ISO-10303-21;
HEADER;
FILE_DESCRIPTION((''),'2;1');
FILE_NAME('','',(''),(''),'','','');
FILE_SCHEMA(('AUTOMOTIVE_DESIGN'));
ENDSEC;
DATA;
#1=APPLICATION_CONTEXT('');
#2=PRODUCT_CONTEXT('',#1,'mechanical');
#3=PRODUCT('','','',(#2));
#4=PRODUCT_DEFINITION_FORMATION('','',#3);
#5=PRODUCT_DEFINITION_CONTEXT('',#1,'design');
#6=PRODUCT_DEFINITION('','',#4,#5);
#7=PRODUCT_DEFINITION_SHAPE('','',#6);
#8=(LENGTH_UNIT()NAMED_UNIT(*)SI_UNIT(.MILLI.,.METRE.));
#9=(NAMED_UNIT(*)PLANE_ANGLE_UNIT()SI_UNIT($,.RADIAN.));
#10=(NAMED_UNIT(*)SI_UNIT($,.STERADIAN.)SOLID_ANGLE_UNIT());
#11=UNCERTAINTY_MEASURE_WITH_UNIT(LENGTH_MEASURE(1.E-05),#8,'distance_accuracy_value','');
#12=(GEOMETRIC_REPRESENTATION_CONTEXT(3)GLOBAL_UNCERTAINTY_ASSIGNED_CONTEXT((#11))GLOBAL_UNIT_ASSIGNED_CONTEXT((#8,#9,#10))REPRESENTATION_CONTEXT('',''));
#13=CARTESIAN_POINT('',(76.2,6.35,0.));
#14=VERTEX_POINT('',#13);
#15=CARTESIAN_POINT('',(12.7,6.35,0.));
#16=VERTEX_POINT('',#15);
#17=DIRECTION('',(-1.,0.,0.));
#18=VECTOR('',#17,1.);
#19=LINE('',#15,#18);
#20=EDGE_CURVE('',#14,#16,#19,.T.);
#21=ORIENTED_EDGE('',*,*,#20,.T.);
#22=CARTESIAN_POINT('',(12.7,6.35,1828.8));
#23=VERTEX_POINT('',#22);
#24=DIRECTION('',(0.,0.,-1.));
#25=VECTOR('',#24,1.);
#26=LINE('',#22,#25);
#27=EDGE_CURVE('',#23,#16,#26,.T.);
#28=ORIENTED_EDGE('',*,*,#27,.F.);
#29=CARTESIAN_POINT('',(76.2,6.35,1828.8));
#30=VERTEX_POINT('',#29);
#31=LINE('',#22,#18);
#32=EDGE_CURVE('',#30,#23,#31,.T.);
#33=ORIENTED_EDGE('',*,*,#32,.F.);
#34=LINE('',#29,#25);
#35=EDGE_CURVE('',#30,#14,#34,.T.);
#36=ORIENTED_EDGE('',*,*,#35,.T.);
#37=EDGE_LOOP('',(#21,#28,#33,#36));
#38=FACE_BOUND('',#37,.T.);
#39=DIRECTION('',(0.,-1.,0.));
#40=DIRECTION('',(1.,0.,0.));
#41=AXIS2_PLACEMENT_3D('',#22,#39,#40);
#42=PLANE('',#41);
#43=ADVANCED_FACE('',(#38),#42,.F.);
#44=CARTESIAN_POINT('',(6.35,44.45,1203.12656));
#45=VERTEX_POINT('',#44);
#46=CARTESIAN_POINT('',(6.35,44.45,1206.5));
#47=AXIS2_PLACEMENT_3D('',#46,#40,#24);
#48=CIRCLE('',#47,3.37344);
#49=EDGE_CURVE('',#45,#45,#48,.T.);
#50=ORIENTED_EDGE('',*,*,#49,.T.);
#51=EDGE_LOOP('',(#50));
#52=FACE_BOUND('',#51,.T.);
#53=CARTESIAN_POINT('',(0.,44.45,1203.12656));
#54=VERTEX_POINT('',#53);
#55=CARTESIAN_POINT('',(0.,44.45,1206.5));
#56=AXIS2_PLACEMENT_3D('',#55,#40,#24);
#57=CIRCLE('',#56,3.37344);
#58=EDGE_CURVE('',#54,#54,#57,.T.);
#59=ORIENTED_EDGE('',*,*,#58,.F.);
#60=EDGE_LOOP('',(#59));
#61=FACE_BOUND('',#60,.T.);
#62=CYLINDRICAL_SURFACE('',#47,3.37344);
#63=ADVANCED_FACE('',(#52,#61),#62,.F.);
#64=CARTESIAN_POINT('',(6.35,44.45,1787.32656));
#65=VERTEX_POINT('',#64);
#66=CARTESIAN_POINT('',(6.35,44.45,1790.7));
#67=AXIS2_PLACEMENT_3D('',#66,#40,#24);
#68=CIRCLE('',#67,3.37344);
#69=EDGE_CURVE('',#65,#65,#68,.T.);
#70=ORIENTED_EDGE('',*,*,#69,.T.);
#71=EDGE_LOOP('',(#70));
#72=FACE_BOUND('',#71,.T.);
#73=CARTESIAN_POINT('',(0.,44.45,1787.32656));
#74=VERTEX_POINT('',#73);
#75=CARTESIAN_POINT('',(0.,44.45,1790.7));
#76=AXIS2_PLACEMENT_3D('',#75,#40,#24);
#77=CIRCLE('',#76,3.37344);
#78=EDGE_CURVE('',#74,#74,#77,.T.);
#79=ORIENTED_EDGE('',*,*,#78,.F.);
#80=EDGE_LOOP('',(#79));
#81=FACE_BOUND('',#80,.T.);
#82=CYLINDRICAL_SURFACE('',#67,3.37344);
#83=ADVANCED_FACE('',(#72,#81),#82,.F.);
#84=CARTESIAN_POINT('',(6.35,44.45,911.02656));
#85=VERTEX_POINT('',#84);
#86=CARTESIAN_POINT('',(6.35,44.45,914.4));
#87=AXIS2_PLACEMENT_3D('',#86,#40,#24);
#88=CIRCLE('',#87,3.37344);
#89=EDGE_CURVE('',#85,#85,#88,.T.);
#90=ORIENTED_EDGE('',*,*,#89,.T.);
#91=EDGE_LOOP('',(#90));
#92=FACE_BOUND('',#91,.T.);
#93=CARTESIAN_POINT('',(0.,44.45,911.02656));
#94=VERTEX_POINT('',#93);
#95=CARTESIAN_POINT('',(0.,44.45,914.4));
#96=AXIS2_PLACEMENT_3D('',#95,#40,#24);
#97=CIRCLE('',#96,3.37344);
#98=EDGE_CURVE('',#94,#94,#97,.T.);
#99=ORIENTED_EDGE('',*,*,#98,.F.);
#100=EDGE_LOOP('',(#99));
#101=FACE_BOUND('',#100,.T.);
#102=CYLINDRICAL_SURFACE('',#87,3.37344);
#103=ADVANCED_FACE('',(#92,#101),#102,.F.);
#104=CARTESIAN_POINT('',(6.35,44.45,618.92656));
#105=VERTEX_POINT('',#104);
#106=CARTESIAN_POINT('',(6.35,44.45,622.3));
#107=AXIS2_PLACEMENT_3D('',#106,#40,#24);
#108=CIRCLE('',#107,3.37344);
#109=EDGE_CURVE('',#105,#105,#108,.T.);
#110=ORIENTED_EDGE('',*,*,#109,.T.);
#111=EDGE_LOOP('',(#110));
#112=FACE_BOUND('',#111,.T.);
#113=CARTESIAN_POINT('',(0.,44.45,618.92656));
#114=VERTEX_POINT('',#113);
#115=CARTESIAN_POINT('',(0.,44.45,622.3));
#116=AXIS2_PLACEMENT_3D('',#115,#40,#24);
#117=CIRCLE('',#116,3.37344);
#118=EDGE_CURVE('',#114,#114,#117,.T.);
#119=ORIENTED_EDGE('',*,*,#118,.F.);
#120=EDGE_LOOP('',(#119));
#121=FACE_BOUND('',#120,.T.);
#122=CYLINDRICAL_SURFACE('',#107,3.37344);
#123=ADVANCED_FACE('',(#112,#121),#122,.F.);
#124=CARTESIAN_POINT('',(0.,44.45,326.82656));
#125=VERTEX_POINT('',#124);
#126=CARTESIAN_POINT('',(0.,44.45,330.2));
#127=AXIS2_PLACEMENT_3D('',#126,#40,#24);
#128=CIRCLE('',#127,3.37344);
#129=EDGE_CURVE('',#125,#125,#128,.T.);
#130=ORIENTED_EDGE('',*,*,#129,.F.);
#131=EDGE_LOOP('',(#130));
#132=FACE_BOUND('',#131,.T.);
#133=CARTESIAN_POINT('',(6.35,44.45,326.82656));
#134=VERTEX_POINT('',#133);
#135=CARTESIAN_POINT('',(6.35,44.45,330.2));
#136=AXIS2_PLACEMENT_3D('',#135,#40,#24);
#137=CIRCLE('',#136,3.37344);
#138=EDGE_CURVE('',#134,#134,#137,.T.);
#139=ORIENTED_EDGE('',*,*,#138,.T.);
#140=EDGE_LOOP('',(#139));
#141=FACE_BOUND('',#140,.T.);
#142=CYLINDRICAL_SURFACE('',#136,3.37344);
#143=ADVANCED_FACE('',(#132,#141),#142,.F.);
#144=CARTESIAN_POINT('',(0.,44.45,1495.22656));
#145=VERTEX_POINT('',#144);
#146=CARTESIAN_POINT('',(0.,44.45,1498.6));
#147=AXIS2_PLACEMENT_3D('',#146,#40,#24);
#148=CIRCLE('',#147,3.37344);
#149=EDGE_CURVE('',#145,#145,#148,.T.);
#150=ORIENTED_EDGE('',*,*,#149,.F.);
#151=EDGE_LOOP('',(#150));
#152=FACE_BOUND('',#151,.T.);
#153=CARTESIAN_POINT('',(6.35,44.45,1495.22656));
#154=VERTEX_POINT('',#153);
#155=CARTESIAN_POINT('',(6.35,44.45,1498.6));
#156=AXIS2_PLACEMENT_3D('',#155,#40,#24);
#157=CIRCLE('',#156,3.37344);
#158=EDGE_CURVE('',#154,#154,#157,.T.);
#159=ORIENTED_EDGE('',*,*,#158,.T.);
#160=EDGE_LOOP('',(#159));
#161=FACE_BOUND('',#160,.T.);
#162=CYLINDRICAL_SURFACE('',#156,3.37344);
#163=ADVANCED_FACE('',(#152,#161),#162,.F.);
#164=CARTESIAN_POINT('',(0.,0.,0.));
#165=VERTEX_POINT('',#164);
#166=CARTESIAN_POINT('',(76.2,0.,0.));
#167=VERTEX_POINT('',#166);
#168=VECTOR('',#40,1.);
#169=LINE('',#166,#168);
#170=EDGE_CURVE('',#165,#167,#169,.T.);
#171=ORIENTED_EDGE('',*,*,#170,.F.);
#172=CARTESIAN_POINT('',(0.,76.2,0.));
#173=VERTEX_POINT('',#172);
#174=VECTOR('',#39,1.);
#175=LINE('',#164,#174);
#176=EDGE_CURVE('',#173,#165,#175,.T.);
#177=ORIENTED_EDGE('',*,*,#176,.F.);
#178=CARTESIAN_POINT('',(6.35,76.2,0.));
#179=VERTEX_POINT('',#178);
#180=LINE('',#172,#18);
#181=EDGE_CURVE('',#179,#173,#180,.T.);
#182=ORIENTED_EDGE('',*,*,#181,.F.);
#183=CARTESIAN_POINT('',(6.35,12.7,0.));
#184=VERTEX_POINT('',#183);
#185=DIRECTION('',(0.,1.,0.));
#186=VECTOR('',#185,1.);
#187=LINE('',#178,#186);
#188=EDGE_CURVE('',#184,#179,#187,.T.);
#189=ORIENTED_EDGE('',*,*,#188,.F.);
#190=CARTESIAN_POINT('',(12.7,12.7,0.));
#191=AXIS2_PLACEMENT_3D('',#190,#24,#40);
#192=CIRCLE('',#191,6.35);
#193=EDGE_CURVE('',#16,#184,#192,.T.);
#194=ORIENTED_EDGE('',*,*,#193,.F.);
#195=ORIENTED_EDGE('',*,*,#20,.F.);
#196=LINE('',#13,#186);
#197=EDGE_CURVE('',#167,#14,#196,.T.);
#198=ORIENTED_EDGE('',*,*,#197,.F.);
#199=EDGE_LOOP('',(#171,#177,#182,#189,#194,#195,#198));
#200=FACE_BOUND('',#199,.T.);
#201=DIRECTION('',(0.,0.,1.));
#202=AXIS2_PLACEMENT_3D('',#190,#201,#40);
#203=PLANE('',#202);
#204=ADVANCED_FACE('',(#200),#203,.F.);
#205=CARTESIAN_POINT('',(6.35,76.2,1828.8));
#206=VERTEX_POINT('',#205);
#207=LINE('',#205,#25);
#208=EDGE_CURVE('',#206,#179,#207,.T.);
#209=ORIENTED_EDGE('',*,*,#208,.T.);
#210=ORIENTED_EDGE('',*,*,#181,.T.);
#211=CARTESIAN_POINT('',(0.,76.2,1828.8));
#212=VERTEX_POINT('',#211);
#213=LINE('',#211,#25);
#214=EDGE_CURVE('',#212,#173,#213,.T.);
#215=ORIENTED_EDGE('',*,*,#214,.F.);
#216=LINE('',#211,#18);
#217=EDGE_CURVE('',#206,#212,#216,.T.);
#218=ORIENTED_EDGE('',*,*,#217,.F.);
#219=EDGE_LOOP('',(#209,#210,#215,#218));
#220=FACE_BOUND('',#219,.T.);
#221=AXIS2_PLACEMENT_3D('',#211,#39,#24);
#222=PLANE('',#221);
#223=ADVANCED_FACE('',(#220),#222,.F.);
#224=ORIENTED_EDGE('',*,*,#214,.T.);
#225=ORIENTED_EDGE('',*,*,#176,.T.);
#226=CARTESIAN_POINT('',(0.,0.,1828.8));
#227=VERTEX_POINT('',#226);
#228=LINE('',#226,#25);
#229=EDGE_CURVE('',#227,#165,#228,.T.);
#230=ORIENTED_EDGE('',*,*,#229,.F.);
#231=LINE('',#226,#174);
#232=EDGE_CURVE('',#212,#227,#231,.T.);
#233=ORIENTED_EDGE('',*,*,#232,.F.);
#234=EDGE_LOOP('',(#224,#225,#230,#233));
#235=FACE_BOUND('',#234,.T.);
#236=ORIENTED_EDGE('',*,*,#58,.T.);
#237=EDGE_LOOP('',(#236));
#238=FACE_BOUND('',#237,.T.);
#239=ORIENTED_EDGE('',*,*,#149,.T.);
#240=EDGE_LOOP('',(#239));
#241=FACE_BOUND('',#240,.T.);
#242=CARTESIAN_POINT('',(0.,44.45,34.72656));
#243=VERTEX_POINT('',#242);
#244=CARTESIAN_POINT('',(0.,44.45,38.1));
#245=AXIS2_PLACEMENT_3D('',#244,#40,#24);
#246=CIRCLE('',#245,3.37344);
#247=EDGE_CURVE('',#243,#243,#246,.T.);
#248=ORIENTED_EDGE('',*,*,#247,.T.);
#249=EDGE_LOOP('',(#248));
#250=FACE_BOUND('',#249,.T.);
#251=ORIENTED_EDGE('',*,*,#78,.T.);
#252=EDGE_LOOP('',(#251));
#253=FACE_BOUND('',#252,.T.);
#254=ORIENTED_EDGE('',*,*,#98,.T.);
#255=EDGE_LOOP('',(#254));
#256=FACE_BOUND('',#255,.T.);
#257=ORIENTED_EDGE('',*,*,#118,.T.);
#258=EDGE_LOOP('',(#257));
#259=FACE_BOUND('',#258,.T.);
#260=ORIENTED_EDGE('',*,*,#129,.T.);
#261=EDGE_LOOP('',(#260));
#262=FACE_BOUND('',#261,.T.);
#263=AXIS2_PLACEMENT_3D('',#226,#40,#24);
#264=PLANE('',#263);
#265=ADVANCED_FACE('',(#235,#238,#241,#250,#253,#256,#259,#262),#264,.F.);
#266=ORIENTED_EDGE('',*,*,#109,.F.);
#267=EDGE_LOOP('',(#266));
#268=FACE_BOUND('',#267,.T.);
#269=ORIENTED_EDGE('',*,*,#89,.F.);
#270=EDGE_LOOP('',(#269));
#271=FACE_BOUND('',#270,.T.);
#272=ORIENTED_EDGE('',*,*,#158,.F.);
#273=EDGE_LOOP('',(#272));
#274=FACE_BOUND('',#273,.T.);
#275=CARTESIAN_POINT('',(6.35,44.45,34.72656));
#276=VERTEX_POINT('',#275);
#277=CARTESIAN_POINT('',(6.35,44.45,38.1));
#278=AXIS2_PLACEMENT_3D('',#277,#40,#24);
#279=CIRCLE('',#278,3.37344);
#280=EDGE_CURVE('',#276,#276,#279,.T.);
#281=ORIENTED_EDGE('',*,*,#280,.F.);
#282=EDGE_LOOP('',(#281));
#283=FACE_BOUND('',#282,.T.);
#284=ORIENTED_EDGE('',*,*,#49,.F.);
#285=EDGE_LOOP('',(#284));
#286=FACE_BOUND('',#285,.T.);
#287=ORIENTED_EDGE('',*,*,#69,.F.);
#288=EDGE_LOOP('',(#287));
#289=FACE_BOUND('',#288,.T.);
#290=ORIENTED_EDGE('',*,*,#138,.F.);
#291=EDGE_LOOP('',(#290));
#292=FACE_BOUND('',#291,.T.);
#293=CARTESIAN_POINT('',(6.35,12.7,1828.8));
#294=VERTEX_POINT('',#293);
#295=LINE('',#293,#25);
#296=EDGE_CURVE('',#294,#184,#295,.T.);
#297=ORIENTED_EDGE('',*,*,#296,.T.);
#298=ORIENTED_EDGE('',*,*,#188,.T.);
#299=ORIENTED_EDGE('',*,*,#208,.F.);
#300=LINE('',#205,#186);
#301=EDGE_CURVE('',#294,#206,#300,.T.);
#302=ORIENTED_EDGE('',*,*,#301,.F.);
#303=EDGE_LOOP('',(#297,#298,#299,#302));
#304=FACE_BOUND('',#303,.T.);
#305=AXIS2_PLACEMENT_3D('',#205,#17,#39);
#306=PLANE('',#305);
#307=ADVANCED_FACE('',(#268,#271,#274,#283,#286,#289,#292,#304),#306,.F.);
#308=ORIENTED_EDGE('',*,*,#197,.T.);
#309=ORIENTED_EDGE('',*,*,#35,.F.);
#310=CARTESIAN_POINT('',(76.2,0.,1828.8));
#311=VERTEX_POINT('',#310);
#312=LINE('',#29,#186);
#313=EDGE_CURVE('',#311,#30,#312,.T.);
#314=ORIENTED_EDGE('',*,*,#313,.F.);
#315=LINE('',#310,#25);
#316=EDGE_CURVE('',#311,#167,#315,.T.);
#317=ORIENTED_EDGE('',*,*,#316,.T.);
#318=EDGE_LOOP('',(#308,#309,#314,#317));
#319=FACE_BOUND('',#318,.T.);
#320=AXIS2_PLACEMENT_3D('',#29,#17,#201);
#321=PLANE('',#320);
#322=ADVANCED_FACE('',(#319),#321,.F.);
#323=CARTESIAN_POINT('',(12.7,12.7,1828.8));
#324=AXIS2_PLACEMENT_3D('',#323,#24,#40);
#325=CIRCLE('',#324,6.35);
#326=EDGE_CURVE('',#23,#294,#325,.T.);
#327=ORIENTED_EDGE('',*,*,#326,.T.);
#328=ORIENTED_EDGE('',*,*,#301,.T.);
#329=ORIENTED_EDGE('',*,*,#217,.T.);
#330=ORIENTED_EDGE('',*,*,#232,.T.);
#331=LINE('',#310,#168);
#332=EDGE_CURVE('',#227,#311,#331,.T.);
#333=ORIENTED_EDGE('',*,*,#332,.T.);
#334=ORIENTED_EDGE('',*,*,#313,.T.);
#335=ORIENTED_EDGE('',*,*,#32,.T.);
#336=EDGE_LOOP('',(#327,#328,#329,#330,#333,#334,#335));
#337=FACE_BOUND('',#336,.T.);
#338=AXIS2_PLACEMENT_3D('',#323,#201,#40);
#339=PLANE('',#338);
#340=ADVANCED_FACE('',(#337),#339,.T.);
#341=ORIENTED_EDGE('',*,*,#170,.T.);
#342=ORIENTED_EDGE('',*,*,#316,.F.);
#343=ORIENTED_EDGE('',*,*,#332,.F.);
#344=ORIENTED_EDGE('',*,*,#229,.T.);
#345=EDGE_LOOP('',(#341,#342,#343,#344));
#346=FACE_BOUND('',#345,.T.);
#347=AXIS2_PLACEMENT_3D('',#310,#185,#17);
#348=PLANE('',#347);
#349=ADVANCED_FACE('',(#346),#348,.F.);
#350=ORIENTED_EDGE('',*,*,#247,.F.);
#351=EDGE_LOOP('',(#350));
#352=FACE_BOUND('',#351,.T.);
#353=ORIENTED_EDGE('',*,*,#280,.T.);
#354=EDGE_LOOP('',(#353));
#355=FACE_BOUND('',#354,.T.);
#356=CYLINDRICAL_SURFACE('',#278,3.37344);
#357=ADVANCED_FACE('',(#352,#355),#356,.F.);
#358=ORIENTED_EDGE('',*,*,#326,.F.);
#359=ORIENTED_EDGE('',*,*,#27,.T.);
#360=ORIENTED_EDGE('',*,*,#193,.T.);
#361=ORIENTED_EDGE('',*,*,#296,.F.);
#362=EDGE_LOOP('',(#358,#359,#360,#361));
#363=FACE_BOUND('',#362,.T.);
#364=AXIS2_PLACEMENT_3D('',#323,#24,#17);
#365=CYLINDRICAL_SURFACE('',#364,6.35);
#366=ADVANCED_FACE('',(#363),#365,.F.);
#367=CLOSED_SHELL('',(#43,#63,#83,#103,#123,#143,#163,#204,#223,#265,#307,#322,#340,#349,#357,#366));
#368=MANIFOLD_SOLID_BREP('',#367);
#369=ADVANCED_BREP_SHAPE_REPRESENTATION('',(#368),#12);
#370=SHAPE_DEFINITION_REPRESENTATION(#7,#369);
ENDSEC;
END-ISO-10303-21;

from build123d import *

# Parameters (mm, degrees)
BOSS_EXTRUDE1_DEPTH             = 1828.8
F_0_25_6_74688_DIAMETER_HOLE1_D = 6.74688


with BuildPart() as part:
    # Sketch1 → Boss-Extrude1 (new body)
    with BuildSketch(Plane.XY):
        with BuildLine():
            Line((0, 0), (0, 76.2))
            Line((0, 76.2), (6.35, 76.2))
            Line((6.35, 76.2), (6.35, 12.7))
            ThreePointArc((6.35, 12.7), (8.209871939, 8.209871939), (12.7, 6.35))
            Line((12.7, 6.35), (76.2, 6.35))
            Line((76.2, 6.35), (76.2, 0))
            Line((76.2, 0), (0, 0))
        make_face()
    extrude(amount=BOSS_EXTRUDE1_DEPTH)

    # Ø0.25 (6.74688) Diameter Hole1 (through all)
    with Locations(Plane(origin=(6.35, 0, 0), x_dir=(0, 0, -1), z_dir=(1, 0, 0))):
        with Locations((-1790.7, 44.45), (-1498.6, 44.45), (-1206.5, 44.45), (-914.4, 44.45), (-622.3, 44.45), (-330.2, 44.45), (-38.1, 44.45)):
            Hole(F_0_25_6_74688_DIAMETER_HOLE1_D / 2)


solid = part.part
